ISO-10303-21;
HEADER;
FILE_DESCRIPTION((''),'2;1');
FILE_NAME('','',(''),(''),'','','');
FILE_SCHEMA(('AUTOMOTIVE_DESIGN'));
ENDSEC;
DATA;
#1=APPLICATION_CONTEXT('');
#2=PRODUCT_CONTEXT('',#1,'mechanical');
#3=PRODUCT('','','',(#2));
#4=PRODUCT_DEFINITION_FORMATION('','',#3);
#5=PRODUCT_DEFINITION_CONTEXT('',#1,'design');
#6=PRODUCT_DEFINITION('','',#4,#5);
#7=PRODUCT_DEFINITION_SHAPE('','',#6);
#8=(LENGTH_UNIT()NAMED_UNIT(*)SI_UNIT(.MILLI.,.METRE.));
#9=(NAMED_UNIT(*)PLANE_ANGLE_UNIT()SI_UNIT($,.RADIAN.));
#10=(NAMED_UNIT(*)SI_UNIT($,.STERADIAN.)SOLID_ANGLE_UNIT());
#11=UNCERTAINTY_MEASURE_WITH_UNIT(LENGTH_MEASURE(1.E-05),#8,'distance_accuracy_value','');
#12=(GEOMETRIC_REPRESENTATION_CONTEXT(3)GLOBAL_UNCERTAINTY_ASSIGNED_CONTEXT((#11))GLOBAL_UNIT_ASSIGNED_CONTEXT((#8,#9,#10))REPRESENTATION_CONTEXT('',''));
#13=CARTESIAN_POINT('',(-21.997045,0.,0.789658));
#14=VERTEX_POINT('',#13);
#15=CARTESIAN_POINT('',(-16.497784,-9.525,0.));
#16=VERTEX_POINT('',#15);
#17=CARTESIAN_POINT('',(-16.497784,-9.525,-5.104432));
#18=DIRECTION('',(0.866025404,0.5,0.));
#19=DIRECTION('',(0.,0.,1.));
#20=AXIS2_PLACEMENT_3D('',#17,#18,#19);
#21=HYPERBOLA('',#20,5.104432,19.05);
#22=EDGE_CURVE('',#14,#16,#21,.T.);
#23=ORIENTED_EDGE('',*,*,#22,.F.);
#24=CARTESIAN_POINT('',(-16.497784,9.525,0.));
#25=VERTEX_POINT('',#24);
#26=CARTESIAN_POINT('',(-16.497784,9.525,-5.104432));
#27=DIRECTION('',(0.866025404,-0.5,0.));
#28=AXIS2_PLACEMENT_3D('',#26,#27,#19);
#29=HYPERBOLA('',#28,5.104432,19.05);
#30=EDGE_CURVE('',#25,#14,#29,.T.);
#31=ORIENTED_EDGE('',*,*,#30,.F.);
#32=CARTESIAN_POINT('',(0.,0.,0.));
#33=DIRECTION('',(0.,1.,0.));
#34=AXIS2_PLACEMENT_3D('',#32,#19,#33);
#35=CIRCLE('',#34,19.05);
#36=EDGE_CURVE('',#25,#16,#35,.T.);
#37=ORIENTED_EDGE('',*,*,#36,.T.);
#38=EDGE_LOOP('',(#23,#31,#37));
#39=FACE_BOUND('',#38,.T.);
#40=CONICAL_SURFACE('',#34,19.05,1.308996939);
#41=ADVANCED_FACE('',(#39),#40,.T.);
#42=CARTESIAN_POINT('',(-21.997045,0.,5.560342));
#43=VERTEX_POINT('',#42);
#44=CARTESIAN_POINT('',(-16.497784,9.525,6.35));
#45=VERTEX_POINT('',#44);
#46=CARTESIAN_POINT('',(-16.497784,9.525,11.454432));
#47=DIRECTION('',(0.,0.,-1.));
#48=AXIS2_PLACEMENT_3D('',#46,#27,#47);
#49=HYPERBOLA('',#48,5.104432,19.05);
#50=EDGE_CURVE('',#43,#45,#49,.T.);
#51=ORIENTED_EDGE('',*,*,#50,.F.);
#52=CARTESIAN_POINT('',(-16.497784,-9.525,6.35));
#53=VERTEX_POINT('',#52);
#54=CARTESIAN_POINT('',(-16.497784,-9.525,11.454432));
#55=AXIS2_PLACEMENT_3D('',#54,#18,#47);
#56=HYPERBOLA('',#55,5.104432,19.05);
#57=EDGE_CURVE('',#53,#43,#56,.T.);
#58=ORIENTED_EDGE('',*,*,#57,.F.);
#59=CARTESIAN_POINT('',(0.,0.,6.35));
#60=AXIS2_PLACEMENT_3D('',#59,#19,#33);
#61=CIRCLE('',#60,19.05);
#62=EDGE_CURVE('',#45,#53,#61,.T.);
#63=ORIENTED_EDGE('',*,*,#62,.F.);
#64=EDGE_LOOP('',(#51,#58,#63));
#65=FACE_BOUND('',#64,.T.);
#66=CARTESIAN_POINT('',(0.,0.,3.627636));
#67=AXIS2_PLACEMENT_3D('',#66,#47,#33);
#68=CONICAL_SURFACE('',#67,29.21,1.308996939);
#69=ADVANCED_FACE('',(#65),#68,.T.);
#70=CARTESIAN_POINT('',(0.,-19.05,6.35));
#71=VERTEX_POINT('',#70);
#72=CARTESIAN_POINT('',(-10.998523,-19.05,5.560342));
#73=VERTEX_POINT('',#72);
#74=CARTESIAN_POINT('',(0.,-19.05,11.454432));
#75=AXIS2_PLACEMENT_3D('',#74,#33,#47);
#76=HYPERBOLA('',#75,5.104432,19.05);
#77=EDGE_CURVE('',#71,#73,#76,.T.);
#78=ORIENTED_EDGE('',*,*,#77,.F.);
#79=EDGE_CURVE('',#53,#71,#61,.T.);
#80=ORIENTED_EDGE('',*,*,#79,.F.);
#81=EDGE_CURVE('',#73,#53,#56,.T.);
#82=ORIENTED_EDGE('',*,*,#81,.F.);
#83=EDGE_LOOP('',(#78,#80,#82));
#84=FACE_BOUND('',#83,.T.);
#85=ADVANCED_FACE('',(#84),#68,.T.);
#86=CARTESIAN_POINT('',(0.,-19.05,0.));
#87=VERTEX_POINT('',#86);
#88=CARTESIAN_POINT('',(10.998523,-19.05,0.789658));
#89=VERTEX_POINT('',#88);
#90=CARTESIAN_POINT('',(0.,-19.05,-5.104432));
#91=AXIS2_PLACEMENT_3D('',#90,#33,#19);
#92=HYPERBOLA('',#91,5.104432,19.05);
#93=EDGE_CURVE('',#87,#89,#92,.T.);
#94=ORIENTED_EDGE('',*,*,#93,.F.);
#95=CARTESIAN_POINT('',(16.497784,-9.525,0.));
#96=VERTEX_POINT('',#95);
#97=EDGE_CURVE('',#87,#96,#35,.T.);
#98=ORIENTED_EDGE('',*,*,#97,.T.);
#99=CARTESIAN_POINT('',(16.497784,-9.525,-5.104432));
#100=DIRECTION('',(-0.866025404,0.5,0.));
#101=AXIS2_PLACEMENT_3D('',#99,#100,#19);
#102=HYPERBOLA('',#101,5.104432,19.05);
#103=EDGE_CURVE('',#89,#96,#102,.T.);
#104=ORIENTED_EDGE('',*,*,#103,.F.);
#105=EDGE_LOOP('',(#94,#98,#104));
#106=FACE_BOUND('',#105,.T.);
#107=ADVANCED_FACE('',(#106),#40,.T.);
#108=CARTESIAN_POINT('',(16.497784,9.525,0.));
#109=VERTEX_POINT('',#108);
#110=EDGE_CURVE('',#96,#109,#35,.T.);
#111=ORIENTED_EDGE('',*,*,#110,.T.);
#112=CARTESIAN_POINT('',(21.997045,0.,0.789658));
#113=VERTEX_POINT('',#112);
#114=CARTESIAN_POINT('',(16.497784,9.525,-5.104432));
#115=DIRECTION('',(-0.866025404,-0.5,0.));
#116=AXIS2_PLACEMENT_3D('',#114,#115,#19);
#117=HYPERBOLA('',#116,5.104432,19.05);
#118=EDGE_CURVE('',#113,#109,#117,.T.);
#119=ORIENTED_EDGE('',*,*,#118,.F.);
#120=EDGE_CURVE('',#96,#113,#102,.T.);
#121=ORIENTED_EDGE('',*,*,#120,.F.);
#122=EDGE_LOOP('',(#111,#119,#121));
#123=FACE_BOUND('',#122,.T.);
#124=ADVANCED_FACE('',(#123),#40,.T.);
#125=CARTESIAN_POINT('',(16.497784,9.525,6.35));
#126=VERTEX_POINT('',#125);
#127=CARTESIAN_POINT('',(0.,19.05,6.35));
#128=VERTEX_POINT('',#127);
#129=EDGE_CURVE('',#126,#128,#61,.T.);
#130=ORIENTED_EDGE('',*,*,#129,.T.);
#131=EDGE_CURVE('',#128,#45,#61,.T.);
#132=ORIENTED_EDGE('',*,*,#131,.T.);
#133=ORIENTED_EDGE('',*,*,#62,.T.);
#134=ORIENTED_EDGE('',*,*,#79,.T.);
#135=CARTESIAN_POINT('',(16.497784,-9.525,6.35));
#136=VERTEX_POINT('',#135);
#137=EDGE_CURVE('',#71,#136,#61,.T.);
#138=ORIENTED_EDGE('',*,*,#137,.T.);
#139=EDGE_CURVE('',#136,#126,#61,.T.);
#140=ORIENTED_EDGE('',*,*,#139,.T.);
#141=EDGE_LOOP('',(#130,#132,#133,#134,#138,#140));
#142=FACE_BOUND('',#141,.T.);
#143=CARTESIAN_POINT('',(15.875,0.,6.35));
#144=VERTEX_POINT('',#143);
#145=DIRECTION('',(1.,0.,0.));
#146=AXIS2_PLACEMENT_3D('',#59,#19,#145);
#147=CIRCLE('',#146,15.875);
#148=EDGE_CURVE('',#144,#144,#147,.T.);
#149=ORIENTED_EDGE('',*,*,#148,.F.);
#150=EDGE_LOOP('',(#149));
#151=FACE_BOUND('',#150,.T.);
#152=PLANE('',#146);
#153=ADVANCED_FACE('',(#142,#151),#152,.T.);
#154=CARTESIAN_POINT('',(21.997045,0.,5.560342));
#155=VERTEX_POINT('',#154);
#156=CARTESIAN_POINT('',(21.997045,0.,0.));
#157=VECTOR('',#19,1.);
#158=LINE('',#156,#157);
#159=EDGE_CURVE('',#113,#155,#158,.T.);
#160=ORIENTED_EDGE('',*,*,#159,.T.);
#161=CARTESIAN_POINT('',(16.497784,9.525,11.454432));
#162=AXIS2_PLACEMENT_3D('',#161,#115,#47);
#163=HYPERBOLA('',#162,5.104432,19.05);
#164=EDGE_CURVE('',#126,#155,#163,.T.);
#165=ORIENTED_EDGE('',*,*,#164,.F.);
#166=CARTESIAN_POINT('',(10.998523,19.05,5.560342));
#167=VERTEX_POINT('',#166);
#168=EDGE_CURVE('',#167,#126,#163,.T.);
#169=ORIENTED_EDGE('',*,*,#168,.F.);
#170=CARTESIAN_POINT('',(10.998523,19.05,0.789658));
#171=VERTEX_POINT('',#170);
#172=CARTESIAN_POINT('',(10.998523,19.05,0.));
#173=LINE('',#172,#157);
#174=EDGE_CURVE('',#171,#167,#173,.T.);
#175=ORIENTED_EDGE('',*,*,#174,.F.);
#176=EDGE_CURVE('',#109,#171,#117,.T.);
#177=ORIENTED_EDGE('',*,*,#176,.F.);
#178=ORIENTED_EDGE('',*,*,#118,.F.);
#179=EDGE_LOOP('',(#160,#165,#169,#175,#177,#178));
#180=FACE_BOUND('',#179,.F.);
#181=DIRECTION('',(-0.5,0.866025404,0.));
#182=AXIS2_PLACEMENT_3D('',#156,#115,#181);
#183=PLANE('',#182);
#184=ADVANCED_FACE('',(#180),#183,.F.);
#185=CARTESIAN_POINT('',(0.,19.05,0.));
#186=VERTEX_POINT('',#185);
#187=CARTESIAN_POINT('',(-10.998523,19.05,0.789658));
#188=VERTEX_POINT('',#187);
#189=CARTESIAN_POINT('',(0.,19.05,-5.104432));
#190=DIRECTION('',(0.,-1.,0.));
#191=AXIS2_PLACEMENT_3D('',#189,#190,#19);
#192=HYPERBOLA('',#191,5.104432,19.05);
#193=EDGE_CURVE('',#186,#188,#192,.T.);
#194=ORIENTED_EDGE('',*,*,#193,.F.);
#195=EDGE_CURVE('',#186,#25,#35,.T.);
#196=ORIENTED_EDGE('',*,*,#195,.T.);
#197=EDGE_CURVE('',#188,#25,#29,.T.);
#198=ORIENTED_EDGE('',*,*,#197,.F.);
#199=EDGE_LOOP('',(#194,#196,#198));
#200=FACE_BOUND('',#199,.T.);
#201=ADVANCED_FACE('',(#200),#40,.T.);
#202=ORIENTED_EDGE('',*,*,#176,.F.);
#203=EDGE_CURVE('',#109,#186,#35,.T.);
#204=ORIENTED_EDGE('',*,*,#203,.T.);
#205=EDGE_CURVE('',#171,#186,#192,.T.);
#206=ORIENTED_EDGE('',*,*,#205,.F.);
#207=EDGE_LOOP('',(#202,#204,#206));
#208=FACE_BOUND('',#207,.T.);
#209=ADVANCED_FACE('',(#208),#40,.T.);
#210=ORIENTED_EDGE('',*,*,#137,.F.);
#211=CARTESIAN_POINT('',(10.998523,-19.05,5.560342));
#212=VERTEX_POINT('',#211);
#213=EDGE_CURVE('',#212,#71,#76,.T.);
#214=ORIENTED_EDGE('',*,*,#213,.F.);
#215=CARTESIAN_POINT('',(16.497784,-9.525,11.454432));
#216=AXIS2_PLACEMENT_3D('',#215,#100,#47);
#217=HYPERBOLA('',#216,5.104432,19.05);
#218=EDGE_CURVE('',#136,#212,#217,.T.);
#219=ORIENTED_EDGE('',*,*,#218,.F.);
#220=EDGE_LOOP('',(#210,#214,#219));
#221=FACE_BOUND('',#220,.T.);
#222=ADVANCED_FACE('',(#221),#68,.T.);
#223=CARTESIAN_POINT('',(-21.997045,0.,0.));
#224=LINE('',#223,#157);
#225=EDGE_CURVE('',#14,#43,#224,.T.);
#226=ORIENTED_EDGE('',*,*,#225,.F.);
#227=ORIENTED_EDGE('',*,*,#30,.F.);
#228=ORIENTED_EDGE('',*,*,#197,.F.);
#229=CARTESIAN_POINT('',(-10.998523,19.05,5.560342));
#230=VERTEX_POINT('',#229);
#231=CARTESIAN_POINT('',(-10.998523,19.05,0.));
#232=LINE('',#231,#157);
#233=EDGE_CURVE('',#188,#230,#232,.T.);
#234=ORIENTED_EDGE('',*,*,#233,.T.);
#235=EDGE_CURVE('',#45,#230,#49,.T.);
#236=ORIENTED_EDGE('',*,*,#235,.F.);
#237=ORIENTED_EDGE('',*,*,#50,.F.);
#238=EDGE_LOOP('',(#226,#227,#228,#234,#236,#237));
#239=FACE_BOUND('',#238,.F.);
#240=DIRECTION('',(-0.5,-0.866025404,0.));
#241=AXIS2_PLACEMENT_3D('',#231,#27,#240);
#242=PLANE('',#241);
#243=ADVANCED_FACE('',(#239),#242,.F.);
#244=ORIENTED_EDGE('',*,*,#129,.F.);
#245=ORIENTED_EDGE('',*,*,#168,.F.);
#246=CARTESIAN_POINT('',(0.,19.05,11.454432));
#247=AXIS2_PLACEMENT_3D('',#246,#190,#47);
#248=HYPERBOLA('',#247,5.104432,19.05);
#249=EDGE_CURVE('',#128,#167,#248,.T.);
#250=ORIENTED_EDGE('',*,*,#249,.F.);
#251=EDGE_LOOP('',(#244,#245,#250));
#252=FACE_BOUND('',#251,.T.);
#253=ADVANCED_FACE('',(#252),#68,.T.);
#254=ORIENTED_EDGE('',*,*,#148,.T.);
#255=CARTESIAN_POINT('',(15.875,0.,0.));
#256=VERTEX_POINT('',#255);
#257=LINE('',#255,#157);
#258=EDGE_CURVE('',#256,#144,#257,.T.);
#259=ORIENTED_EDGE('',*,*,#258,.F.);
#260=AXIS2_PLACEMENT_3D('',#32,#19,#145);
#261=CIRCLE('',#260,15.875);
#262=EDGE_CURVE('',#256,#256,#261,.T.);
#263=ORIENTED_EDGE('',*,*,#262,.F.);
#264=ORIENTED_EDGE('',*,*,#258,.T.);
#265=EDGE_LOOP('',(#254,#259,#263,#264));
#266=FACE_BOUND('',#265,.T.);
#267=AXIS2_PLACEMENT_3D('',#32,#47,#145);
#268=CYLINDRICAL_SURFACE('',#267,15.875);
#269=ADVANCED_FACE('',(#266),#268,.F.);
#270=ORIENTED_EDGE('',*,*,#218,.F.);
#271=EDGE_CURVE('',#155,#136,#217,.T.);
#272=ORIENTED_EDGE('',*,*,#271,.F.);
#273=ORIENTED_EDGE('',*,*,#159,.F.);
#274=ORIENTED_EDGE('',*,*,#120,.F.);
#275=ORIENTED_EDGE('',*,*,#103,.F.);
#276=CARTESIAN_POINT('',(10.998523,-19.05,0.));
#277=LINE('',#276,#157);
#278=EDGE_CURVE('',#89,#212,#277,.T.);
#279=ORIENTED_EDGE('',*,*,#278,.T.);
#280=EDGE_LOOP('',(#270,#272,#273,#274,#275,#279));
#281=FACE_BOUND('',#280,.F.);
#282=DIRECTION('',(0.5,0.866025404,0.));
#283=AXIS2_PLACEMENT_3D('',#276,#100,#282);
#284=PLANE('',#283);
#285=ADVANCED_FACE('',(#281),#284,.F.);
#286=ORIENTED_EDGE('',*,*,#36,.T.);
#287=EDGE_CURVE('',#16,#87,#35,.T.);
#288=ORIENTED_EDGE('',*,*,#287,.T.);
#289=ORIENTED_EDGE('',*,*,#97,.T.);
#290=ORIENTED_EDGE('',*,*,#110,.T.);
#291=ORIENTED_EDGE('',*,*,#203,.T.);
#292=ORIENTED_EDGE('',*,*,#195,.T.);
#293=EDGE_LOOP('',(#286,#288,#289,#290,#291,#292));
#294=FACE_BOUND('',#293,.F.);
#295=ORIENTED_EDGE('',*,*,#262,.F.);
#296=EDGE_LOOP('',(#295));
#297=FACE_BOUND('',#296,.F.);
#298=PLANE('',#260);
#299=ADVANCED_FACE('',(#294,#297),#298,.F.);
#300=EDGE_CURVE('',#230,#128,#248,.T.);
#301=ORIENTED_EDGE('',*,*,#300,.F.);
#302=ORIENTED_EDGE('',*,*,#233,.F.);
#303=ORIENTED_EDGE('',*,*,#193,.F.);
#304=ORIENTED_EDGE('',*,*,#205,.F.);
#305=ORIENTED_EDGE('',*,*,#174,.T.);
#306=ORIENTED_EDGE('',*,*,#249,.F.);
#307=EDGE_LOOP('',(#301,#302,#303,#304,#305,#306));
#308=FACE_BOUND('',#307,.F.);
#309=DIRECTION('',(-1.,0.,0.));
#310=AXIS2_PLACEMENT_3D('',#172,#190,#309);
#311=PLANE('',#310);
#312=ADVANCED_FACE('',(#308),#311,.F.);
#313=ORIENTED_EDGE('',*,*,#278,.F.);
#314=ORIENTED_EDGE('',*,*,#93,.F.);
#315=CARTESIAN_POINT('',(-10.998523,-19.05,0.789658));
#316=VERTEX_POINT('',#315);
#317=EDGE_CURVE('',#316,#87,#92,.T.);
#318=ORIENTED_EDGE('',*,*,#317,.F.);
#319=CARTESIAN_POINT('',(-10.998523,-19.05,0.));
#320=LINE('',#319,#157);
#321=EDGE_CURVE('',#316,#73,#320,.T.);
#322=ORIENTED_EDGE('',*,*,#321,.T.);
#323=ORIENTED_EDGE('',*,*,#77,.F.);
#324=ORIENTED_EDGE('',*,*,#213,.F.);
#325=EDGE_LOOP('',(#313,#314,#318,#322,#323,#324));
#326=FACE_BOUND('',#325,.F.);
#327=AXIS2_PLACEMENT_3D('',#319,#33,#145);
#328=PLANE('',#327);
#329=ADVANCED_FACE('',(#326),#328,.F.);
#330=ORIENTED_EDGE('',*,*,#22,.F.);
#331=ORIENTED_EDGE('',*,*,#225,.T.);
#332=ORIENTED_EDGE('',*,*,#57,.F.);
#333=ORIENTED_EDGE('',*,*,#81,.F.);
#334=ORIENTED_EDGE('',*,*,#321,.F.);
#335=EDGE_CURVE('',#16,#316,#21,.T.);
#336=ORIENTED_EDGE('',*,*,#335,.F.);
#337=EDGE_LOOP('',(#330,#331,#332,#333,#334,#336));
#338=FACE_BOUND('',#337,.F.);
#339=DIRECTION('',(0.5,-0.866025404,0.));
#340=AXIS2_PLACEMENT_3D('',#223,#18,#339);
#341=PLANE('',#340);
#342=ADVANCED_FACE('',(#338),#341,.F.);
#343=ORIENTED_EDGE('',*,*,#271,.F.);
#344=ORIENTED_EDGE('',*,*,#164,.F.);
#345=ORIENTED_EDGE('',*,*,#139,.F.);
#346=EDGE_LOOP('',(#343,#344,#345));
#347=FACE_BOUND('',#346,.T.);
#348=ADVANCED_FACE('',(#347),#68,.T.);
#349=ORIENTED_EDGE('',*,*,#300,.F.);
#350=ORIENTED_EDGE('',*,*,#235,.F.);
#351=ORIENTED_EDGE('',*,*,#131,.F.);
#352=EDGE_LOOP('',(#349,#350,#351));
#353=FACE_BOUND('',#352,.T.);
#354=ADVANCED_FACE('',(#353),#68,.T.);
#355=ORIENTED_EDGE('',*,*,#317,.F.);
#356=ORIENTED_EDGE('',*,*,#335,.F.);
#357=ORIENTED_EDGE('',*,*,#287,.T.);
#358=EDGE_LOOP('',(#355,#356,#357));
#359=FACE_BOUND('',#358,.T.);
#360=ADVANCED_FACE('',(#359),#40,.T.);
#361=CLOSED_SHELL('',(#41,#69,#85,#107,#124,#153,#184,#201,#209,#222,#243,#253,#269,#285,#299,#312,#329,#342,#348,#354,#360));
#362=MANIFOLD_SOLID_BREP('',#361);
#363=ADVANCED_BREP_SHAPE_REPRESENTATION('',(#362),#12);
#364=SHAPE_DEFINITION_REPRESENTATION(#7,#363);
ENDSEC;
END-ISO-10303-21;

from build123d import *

# Parameters (mm, degrees)
F0_R     = 15.875
F1_DEPTH = 6.35


with BuildPart() as f1:
    # F0 (on Top) → F1 (new body)
    with BuildSketch(Plane.XY):
        Polygon((10.9985226281, 19.05), (-10.9985226281, 19.05), (-21.9970452561, 0), (-10.9985226281, -19.05), (10.9985226281, -19.05), (21.9970452561, 0), align=None)
        Circle(F0_R, mode=Mode.SUBTRACT)
    extrude(amount=F1_DEPTH)

    # F3: sweep along a path in F3_path
    with BuildLine(Plane(origin=(15.875, 0, 6.35), x_dir=(0, 1, 0), z_dir=(0, 0, 1))) as f3_path:
        CenterArc((0, 15.875), 15.875, 0, 360)
    # F2 (on Front) → F3 (sweep, cut)
    with BuildSketch(Plane.XZ):
        Polygon((-29.21, 2.7223637951), (-29.21, 3.6276362049), (-30.899261314, 3.175), align=None)
        Polygon((-19.05, 0), (-29.21, 2.7223637951), (-29.21, 0), align=None)
        Polygon((-29.21, 3.6276362049), (-19.05, 6.35), (-29.21, 6.35), align=None)
    sweep(path=f3_path.line, mode=Mode.SUBTRACT)


solid = f1.part
